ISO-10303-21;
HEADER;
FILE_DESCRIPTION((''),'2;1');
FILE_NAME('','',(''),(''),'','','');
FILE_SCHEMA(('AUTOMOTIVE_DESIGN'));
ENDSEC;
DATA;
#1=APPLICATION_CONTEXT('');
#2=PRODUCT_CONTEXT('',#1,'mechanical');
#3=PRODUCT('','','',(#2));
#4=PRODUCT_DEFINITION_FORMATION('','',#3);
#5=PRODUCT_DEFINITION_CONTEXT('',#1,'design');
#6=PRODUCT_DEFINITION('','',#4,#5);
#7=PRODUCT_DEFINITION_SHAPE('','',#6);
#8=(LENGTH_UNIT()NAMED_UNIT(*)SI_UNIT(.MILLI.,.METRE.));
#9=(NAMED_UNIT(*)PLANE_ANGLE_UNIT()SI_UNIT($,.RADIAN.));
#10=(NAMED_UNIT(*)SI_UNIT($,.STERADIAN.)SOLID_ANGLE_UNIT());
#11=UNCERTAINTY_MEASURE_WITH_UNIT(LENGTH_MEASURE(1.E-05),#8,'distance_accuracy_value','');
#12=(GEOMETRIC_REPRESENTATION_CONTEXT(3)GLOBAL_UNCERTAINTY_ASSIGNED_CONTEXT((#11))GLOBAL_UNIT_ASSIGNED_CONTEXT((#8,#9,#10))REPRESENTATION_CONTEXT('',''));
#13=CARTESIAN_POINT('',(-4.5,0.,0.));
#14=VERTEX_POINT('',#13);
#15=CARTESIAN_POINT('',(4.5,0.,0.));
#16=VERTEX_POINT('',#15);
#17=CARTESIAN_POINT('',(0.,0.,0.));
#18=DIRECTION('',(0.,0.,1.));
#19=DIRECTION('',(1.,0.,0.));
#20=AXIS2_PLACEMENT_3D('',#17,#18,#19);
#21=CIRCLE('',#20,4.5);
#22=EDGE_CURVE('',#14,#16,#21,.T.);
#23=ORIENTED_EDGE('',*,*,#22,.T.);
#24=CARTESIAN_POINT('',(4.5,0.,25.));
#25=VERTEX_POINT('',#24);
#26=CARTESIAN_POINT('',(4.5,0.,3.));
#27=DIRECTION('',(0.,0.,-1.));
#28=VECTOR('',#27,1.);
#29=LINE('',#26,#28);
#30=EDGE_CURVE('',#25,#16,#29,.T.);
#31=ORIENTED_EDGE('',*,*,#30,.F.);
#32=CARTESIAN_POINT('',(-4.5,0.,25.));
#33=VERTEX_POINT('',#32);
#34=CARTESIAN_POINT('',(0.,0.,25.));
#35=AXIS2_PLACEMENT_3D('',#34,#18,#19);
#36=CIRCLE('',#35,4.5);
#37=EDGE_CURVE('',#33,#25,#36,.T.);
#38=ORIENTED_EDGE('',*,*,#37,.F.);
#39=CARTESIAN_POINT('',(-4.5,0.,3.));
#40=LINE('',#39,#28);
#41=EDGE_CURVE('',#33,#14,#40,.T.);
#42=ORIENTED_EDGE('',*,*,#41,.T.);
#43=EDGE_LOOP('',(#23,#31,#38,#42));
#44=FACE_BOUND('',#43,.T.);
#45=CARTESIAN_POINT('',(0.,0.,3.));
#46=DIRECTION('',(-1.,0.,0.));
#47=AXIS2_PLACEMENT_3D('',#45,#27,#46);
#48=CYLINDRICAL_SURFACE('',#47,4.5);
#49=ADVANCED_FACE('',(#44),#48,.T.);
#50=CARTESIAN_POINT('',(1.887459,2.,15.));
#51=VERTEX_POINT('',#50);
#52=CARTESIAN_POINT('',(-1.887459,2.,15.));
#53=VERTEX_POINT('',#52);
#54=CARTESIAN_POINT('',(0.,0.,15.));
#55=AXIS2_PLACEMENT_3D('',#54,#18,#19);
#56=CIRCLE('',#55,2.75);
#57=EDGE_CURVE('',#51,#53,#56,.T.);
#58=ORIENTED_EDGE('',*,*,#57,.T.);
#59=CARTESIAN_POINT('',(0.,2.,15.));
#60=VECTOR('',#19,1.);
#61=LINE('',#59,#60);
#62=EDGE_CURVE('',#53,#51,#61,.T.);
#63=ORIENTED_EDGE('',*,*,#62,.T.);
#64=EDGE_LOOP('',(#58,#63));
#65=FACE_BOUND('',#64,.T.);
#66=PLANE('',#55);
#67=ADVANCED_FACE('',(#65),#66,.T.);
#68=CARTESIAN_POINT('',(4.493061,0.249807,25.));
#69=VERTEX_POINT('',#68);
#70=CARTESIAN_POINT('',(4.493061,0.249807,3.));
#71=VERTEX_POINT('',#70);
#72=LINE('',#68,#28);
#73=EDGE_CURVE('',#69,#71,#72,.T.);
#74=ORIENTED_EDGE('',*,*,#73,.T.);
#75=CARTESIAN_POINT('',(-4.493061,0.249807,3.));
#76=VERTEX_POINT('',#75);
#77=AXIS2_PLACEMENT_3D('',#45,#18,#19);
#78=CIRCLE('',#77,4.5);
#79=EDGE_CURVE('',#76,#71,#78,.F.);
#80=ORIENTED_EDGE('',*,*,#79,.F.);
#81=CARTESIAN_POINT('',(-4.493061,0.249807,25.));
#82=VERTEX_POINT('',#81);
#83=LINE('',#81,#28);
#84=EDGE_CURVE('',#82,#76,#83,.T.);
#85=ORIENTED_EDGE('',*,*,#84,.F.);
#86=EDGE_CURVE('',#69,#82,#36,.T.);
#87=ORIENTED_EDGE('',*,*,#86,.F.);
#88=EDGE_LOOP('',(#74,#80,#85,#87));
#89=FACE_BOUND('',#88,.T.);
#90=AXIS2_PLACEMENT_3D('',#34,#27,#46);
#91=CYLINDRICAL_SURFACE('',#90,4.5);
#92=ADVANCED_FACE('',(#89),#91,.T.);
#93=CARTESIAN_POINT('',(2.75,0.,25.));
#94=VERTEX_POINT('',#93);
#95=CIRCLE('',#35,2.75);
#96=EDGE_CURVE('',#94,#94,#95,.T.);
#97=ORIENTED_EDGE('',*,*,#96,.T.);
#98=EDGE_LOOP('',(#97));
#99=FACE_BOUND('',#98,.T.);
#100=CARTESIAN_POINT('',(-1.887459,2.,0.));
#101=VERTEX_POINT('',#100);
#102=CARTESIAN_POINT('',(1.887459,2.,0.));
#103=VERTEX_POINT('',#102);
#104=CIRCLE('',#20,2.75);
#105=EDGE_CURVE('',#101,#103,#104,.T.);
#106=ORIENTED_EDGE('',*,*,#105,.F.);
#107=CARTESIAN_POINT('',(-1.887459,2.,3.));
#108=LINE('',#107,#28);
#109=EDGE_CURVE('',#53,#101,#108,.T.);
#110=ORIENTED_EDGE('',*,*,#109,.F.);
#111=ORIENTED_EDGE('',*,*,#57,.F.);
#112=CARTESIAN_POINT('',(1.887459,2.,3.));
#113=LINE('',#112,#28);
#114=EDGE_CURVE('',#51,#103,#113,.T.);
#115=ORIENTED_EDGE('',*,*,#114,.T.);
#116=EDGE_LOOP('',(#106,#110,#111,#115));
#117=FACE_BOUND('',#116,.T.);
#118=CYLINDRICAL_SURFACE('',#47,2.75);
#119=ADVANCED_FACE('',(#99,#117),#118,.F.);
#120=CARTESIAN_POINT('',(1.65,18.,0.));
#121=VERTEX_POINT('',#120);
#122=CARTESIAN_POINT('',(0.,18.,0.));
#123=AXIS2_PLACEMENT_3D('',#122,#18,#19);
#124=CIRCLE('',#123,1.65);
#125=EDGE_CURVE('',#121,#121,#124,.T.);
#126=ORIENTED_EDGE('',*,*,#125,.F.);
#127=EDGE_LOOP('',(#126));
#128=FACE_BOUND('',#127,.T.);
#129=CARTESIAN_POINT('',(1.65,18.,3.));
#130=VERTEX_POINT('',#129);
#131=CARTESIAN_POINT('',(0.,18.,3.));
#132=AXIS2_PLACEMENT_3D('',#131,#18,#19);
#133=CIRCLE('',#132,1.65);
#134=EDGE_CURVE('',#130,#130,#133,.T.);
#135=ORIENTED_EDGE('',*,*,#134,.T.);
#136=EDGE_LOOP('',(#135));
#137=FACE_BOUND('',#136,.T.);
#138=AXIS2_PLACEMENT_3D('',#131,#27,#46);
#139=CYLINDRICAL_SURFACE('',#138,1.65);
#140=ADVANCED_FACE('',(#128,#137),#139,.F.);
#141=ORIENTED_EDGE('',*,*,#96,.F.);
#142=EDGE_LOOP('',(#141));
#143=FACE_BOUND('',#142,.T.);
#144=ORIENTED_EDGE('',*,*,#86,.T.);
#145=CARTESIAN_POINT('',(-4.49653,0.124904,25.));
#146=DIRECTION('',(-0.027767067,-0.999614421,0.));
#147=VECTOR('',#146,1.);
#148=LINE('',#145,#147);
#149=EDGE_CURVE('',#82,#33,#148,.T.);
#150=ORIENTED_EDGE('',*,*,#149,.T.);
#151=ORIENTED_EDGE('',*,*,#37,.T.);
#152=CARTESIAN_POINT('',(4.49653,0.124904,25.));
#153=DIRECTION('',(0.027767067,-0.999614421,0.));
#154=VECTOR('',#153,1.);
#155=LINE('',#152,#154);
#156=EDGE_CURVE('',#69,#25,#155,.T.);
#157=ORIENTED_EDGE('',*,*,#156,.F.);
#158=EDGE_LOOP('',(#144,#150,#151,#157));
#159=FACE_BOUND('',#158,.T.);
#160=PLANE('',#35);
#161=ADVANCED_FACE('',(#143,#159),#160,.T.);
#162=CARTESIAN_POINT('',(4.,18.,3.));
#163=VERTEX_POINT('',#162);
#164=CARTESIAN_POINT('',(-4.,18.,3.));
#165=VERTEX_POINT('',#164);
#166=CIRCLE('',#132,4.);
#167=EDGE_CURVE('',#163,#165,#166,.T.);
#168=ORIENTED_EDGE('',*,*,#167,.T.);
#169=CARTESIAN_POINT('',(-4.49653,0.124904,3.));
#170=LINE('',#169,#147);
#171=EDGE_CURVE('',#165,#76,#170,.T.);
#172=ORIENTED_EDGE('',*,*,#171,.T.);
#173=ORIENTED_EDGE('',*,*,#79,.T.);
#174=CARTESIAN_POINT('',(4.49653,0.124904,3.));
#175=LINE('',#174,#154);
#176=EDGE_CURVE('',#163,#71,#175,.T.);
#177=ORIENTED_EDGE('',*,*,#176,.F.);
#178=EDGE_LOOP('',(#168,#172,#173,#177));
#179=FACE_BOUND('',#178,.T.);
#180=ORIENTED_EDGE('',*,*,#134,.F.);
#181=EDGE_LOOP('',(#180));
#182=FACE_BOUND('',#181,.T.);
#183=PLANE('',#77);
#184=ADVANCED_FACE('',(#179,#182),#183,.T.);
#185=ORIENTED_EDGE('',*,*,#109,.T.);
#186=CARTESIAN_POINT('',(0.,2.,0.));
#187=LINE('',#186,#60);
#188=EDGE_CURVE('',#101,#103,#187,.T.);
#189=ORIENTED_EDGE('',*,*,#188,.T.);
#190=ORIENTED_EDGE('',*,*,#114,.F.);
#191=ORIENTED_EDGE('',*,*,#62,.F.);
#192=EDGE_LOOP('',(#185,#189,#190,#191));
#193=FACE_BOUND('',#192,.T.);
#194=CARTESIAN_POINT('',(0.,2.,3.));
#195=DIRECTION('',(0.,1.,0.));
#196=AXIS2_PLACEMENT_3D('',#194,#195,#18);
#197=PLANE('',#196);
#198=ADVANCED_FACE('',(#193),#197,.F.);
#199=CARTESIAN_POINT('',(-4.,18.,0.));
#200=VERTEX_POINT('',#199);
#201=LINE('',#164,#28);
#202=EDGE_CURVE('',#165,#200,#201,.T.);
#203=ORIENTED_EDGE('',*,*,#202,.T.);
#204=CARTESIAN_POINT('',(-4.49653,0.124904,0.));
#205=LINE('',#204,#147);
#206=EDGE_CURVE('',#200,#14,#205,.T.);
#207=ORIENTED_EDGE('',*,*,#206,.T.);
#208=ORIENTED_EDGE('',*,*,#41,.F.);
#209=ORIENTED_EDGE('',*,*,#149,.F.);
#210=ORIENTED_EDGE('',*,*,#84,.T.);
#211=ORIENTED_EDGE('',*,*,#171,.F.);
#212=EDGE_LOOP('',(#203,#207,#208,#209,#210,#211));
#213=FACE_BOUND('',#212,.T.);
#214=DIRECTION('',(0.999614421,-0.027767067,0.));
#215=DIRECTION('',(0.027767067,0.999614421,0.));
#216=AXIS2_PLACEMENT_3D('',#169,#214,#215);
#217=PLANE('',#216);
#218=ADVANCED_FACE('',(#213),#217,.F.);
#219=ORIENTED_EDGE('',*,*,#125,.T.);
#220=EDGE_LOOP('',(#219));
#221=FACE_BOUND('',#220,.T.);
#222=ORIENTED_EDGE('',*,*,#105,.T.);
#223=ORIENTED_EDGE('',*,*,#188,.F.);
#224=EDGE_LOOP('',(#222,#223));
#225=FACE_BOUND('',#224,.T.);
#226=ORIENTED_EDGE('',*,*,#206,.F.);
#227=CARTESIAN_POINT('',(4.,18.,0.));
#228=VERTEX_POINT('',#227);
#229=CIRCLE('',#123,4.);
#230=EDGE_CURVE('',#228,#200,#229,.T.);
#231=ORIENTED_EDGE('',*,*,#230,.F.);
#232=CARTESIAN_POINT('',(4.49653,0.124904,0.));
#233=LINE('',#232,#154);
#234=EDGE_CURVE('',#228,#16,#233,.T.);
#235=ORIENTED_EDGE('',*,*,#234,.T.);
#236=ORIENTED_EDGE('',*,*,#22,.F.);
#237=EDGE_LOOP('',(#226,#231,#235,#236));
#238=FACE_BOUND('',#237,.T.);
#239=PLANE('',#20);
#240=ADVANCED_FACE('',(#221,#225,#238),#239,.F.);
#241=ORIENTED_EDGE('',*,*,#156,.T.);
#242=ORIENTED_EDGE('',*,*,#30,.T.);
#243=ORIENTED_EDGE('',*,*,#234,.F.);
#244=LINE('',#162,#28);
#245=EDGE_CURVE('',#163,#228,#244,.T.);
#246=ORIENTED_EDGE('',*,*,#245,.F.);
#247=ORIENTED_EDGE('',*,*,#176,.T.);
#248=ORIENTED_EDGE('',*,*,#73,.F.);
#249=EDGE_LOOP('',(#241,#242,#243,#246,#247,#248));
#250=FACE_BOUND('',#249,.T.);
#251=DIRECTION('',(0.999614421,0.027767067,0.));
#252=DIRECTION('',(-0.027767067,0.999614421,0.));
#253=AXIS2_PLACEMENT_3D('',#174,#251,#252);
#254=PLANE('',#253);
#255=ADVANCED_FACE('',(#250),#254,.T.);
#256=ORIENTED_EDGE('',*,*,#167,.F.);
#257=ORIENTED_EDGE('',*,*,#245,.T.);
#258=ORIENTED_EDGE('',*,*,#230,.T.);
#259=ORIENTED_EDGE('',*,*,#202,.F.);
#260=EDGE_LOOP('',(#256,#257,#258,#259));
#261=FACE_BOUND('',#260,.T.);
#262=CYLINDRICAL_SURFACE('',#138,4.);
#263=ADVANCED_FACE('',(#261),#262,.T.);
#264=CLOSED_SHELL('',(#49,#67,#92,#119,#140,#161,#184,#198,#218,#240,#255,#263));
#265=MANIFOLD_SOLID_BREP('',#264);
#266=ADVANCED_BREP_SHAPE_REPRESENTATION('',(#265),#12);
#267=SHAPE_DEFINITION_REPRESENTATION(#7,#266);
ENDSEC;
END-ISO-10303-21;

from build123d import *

# Parameters (mm, degrees)
SKETCH_1_R          = 1.65
EXTRUDE_3_DEPTH     = 3
EXTRUDE_5_DEPTH     = 25
CUT_EXTRUDE_START   = 15
CUT_EXTRUDE_1_DEPTH = 10


with BuildPart() as part:
    # 草图1 → 凸台-拉伸3 (new body)
    with BuildSketch(Plane.XY):
        with BuildLine():
            ThreePointArc((-4.5, 0), (0, -4.5), (4.5, 0))
            Line((4.5, 0), (4, 18))
            ThreePointArc((4, 18), (0, 22), (-4, 18))
            Line((-4, 18), (-4.5, 0))
        make_face()
        with Locations((0, 18)):
            Circle(SKETCH_1_R, mode=Mode.SUBTRACT)
        with BuildLine():
            Line((-1.887458609, 2), (1.887458609, 2))
            ThreePointArc((1.887458609, 2), (0, -2.75), (-1.887458609, 2))
        make_face(mode=Mode.SUBTRACT)
    extrude(amount=EXTRUDE_3_DEPTH)

    # 草图1<12> → 凸台-拉伸5 (add)
    with BuildSketch(Plane.XY):
        with BuildLine():
            Line((-4.49306091, 0.249807247), (-4.5, 0))
            ThreePointArc((-4.5, 0), (0, -4.5), (4.5, 0))
            Line((4.5, 0), (4.49306091, 0.249807247))
            ThreePointArc((4.49306091, 0.249807247), (0, 4.5), (-4.49306091, 0.249807247))
        make_face()
        with BuildLine():
            Line((-1.887458609, 2), (1.887458609, 2))
            ThreePointArc((1.887458609, 2), (0, -2.75), (-1.887458609, 2))
        make_face(mode=Mode.SUBTRACT)
    extrude(amount=EXTRUDE_5_DEPTH)

    # 草图1<16> → 切除-拉伸1 (cut)
    with BuildSketch(Plane.XY.offset(CUT_EXTRUDE_START)):
        with BuildLine():
            ThreePointArc((0, 2.75), (-1.015504801, 2.555631038), (-1.887458609, 2))
            Line((-1.887458609, 2), (0, 2))
            Line((0, 2), (0, 2.75))
        make_face()
        with BuildLine():
            Line((0, 2), (-1.887458609, 2))
            ThreePointArc((-1.887458609, 2), (-2.555631038, -1.015504801), (0, -2.75))
            Line((0, -2.75), (0, 2))
        make_face()
        with BuildLine():
            Line((0, 2.75), (0, 2))
            Line((0, 2), (1.887458609, 2))
            ThreePointArc((1.887458609, 2), (1.015504801, 2.555631038), (0, 2.75))
        make_face()
        with BuildLine():
            Line((1.887458609, 2), (0, 2))
            Line((0, 2), (0, -2.75))
            ThreePointArc((0, -2.75), (1.944543648, -1.944543648), (2.75, 0))
            ThreePointArc((2.75, 0), (2.525174368, 1.089033706), (1.887458609, 2))
        make_face()
    extrude(amount=CUT_EXTRUDE_1_DEPTH, mode=Mode.SUBTRACT)


solid = part.part
